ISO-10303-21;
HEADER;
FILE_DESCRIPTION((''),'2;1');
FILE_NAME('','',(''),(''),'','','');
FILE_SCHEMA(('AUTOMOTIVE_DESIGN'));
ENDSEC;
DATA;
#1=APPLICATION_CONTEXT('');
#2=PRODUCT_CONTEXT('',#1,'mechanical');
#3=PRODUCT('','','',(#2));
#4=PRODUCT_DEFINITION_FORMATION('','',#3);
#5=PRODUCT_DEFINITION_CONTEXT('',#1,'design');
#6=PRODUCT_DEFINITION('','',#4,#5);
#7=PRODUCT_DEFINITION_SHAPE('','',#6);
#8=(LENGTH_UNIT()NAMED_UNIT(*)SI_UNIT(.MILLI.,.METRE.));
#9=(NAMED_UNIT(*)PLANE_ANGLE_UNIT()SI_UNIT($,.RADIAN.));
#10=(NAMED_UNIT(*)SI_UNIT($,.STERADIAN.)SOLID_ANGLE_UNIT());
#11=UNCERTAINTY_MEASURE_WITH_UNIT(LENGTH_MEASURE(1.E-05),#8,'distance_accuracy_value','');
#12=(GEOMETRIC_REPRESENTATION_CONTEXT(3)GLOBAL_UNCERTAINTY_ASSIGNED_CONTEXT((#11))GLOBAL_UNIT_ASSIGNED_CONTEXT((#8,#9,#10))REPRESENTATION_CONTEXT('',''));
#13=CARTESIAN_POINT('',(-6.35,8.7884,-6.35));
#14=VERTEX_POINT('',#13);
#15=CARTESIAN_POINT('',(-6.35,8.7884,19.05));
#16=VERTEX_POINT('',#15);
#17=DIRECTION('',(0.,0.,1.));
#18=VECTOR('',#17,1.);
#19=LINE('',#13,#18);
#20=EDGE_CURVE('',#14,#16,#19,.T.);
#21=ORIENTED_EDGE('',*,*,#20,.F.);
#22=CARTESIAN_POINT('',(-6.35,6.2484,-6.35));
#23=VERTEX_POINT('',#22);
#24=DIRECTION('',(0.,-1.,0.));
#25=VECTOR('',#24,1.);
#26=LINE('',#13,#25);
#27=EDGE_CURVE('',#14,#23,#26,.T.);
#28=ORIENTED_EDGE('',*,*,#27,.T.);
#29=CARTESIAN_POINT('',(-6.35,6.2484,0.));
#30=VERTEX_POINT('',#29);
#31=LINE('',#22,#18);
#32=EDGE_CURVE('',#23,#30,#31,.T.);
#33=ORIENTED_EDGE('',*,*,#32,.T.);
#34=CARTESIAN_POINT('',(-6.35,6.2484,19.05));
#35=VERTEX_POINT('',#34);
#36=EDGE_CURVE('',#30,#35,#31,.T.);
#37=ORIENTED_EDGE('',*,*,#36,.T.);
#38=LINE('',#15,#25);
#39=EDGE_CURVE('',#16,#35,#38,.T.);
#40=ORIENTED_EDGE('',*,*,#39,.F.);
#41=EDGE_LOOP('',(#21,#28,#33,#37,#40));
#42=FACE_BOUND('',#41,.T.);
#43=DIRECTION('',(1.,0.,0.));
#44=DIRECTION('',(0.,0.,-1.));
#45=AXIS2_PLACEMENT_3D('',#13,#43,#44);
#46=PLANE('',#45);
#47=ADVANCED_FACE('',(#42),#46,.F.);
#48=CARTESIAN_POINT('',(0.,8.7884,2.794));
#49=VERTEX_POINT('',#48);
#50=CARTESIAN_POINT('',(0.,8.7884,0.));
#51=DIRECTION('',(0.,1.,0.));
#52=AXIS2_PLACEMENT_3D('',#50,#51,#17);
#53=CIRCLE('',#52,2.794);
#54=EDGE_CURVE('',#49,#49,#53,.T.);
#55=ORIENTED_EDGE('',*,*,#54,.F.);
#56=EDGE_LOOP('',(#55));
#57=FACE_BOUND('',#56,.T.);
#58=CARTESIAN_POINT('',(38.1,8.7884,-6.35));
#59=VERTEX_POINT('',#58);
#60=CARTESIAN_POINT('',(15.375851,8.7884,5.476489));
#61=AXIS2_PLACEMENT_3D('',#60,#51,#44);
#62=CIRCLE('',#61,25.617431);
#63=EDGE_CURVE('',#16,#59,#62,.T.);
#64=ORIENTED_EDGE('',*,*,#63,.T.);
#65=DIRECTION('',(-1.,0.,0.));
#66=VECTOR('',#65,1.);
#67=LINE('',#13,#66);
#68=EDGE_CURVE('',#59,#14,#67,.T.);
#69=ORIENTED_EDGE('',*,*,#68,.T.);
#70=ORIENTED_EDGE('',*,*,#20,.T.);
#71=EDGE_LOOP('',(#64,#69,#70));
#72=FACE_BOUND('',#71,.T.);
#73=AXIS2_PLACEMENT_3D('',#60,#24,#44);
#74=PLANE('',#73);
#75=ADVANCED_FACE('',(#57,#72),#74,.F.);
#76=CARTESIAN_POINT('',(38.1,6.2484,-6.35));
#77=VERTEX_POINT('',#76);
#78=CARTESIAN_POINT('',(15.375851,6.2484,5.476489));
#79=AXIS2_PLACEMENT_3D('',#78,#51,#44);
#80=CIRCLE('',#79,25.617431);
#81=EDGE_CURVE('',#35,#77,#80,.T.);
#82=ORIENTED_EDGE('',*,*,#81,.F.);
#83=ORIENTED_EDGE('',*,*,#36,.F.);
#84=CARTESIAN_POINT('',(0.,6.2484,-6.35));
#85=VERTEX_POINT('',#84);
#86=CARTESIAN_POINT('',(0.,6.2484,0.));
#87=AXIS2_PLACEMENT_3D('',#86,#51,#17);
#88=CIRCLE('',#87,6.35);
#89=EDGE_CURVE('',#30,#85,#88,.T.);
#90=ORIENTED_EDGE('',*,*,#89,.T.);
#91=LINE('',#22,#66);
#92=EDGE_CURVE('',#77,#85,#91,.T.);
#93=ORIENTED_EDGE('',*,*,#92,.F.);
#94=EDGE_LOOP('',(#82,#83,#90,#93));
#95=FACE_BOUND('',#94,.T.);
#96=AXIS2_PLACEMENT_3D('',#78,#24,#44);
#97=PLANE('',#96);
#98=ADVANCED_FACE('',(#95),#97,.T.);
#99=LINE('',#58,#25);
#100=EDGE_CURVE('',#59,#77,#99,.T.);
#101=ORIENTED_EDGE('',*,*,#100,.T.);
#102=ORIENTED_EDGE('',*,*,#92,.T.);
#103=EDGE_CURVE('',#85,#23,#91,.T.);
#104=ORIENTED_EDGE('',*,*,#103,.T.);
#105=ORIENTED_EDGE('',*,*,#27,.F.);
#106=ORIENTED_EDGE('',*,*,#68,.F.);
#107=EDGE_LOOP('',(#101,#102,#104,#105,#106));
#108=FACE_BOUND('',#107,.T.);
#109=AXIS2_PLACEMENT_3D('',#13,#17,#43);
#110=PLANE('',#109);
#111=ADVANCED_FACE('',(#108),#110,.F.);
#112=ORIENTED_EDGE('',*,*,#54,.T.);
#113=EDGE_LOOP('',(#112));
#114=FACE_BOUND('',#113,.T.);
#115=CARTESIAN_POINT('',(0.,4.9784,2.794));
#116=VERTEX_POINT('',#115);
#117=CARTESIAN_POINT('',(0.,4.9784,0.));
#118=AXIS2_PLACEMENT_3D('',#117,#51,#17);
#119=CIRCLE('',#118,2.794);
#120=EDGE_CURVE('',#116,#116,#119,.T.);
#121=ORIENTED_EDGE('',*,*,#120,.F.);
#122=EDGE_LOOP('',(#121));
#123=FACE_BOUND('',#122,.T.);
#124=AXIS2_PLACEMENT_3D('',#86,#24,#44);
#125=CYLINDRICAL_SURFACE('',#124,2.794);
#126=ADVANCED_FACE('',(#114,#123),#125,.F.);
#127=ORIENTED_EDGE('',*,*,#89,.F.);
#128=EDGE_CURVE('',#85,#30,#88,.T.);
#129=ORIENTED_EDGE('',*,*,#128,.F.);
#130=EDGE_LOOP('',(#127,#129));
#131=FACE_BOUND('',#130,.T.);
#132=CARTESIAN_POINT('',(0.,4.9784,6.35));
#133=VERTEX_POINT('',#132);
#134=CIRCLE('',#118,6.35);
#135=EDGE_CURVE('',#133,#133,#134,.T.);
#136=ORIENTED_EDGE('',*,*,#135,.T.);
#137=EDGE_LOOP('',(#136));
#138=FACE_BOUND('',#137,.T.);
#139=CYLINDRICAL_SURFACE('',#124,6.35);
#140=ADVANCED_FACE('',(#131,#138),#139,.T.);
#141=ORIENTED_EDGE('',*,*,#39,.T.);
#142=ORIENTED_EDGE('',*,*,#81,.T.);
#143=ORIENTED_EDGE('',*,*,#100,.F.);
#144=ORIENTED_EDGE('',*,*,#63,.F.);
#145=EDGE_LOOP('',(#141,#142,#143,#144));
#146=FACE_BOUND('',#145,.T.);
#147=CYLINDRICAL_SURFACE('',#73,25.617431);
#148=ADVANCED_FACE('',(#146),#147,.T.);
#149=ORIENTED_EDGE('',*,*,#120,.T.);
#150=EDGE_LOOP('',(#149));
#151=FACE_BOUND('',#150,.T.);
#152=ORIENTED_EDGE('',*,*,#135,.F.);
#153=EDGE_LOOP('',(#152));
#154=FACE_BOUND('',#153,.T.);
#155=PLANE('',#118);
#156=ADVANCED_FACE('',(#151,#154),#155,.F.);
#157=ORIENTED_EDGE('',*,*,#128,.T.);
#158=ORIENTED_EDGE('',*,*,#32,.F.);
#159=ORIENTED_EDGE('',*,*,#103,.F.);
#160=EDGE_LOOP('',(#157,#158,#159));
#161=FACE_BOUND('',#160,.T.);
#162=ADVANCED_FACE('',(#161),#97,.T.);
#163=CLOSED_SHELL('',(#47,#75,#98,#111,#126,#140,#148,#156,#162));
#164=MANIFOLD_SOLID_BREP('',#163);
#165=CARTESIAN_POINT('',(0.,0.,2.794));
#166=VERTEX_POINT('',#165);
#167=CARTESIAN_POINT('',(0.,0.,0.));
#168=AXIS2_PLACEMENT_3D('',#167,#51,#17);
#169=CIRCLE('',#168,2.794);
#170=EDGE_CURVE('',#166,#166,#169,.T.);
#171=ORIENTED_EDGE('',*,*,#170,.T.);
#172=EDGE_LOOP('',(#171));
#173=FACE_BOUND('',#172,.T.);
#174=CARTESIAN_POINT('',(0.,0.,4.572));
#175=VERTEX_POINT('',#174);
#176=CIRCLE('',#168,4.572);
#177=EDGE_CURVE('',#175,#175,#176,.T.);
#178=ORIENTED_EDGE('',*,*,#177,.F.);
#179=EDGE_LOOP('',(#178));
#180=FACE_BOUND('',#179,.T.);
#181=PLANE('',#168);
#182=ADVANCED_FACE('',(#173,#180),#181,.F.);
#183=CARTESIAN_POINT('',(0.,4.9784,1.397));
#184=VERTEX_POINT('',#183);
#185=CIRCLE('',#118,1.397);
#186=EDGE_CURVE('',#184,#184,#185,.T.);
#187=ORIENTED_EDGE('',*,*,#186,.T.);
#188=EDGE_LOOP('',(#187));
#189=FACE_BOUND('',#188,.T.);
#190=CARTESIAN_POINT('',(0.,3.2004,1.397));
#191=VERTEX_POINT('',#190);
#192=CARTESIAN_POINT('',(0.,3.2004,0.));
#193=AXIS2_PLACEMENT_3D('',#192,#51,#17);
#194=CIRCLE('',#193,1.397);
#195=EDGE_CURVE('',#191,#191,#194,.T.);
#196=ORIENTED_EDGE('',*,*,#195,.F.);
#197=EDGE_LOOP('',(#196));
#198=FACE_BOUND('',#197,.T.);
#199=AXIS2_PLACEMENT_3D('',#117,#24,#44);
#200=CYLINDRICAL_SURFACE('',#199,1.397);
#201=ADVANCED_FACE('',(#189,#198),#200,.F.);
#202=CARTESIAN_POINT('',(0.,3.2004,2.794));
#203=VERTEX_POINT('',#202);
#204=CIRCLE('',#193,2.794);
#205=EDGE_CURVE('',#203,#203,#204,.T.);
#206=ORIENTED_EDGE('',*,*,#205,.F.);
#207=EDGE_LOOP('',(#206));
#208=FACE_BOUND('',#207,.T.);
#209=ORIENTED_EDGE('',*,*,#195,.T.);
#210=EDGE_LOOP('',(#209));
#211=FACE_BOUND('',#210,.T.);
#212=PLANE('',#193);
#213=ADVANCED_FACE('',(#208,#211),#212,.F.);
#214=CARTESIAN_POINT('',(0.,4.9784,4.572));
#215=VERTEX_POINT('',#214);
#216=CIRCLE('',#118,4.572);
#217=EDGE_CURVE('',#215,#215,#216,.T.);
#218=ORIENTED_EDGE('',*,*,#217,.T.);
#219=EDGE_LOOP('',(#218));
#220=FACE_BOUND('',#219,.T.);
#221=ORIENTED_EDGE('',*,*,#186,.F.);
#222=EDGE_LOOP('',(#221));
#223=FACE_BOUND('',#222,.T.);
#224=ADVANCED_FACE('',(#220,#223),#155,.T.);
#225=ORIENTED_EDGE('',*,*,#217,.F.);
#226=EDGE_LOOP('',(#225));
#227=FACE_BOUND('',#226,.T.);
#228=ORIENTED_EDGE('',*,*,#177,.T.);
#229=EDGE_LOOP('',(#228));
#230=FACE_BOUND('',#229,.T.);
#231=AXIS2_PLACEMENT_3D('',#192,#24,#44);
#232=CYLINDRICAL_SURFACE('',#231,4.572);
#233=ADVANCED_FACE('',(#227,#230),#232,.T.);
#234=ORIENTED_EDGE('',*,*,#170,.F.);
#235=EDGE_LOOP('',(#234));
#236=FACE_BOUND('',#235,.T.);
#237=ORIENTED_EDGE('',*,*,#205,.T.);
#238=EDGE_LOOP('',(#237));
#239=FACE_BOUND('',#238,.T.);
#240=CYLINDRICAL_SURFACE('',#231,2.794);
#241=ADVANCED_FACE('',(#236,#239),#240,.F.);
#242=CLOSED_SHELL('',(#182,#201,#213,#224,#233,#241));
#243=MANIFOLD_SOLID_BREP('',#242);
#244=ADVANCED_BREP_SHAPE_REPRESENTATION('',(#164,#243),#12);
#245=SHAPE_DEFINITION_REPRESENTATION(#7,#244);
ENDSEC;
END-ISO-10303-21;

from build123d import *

# Parameters (mm, degrees)
SKETCH1_R           = 4.572
SKETCH1_R_2         = 2.794
BOSS_EXTRUDE1_DEPTH = 3.2004
SKETCH2_R           = 4.572
SKETCH2_R_2         = 1.397
BOSS_EXTRUDE2_DEPTH = 1.778
SKETCH3_R           = 6.35
SKETCH3_R_2         = 2.794
BOSS_EXTRUDE3_DEPTH = 1.27
SKETCH4_R           = 2.794
BOSS_EXTRUDE4_DEPTH = 2.54


with BuildPart() as part:
    # Sketch1 → Boss-Extrude1 (new body)
    with BuildSketch(Plane(origin=(0, 0, 0), x_dir=(1, 0, 0), z_dir=(0, 1, 0))):
        with Locations(Location((0, 0, 0), (0, 0, 270))):
            Circle(SKETCH1_R)
        with Locations(Location((0, 0, 0), (0, 0, 270))):
            Circle(SKETCH1_R_2, mode=Mode.SUBTRACT)
    extrude(amount=BOSS_EXTRUDE1_DEPTH)

    # Sketch2 → Boss-Extrude2 (add)
    with BuildSketch(Plane(origin=(0, 3.2004, 0), x_dir=(1, 0, 0), z_dir=(0, 1, 0))):
        with Locations(Location((0, 0, 0), (0, 0, 270))):
            Circle(SKETCH2_R)
        with Locations(Location((0, 0, 0), (0, 0, 270))):
            Circle(SKETCH2_R_2, mode=Mode.SUBTRACT)
    extrude(amount=BOSS_EXTRUDE2_DEPTH)


with BuildPart() as body_2:
    # Sketch3 → Boss-Extrude3 (new body)
    with BuildSketch(Plane(origin=(0, 4.9784, 0), x_dir=(1, 0, 0), z_dir=(0, 1, 0))):
        with Locations(Location((0, 0, 0), (0, 0, 270))):
            Circle(SKETCH3_R)
        with Locations(Location((0, 0, 0), (0, 0, 270))):
            Circle(SKETCH3_R_2, mode=Mode.SUBTRACT)
    extrude(amount=BOSS_EXTRUDE3_DEPTH)

    # Sketch4 → Boss-Extrude4 (add)
    with BuildSketch(Plane(origin=(0, 6.2484, 0), x_dir=(1, 0, 0), z_dir=(0, 1, 0))):
        with BuildLine():
            Line((-6.35, 6.35), (38.1, 6.35))
            ThreePointArc((38.1, 6.35), (28.085656371, -27.718648649), (-6.35, -19.05))
            Line((-6.35, -19.05), (-6.35, 6.35))
        make_face()
        with Locations(Location((0, 0, 0), (0, 0, 270))):
            Circle(SKETCH4_R, mode=Mode.SUBTRACT)
    extrude(amount=BOSS_EXTRUDE4_DEPTH)


solid = Compound([part.part, body_2.part])
